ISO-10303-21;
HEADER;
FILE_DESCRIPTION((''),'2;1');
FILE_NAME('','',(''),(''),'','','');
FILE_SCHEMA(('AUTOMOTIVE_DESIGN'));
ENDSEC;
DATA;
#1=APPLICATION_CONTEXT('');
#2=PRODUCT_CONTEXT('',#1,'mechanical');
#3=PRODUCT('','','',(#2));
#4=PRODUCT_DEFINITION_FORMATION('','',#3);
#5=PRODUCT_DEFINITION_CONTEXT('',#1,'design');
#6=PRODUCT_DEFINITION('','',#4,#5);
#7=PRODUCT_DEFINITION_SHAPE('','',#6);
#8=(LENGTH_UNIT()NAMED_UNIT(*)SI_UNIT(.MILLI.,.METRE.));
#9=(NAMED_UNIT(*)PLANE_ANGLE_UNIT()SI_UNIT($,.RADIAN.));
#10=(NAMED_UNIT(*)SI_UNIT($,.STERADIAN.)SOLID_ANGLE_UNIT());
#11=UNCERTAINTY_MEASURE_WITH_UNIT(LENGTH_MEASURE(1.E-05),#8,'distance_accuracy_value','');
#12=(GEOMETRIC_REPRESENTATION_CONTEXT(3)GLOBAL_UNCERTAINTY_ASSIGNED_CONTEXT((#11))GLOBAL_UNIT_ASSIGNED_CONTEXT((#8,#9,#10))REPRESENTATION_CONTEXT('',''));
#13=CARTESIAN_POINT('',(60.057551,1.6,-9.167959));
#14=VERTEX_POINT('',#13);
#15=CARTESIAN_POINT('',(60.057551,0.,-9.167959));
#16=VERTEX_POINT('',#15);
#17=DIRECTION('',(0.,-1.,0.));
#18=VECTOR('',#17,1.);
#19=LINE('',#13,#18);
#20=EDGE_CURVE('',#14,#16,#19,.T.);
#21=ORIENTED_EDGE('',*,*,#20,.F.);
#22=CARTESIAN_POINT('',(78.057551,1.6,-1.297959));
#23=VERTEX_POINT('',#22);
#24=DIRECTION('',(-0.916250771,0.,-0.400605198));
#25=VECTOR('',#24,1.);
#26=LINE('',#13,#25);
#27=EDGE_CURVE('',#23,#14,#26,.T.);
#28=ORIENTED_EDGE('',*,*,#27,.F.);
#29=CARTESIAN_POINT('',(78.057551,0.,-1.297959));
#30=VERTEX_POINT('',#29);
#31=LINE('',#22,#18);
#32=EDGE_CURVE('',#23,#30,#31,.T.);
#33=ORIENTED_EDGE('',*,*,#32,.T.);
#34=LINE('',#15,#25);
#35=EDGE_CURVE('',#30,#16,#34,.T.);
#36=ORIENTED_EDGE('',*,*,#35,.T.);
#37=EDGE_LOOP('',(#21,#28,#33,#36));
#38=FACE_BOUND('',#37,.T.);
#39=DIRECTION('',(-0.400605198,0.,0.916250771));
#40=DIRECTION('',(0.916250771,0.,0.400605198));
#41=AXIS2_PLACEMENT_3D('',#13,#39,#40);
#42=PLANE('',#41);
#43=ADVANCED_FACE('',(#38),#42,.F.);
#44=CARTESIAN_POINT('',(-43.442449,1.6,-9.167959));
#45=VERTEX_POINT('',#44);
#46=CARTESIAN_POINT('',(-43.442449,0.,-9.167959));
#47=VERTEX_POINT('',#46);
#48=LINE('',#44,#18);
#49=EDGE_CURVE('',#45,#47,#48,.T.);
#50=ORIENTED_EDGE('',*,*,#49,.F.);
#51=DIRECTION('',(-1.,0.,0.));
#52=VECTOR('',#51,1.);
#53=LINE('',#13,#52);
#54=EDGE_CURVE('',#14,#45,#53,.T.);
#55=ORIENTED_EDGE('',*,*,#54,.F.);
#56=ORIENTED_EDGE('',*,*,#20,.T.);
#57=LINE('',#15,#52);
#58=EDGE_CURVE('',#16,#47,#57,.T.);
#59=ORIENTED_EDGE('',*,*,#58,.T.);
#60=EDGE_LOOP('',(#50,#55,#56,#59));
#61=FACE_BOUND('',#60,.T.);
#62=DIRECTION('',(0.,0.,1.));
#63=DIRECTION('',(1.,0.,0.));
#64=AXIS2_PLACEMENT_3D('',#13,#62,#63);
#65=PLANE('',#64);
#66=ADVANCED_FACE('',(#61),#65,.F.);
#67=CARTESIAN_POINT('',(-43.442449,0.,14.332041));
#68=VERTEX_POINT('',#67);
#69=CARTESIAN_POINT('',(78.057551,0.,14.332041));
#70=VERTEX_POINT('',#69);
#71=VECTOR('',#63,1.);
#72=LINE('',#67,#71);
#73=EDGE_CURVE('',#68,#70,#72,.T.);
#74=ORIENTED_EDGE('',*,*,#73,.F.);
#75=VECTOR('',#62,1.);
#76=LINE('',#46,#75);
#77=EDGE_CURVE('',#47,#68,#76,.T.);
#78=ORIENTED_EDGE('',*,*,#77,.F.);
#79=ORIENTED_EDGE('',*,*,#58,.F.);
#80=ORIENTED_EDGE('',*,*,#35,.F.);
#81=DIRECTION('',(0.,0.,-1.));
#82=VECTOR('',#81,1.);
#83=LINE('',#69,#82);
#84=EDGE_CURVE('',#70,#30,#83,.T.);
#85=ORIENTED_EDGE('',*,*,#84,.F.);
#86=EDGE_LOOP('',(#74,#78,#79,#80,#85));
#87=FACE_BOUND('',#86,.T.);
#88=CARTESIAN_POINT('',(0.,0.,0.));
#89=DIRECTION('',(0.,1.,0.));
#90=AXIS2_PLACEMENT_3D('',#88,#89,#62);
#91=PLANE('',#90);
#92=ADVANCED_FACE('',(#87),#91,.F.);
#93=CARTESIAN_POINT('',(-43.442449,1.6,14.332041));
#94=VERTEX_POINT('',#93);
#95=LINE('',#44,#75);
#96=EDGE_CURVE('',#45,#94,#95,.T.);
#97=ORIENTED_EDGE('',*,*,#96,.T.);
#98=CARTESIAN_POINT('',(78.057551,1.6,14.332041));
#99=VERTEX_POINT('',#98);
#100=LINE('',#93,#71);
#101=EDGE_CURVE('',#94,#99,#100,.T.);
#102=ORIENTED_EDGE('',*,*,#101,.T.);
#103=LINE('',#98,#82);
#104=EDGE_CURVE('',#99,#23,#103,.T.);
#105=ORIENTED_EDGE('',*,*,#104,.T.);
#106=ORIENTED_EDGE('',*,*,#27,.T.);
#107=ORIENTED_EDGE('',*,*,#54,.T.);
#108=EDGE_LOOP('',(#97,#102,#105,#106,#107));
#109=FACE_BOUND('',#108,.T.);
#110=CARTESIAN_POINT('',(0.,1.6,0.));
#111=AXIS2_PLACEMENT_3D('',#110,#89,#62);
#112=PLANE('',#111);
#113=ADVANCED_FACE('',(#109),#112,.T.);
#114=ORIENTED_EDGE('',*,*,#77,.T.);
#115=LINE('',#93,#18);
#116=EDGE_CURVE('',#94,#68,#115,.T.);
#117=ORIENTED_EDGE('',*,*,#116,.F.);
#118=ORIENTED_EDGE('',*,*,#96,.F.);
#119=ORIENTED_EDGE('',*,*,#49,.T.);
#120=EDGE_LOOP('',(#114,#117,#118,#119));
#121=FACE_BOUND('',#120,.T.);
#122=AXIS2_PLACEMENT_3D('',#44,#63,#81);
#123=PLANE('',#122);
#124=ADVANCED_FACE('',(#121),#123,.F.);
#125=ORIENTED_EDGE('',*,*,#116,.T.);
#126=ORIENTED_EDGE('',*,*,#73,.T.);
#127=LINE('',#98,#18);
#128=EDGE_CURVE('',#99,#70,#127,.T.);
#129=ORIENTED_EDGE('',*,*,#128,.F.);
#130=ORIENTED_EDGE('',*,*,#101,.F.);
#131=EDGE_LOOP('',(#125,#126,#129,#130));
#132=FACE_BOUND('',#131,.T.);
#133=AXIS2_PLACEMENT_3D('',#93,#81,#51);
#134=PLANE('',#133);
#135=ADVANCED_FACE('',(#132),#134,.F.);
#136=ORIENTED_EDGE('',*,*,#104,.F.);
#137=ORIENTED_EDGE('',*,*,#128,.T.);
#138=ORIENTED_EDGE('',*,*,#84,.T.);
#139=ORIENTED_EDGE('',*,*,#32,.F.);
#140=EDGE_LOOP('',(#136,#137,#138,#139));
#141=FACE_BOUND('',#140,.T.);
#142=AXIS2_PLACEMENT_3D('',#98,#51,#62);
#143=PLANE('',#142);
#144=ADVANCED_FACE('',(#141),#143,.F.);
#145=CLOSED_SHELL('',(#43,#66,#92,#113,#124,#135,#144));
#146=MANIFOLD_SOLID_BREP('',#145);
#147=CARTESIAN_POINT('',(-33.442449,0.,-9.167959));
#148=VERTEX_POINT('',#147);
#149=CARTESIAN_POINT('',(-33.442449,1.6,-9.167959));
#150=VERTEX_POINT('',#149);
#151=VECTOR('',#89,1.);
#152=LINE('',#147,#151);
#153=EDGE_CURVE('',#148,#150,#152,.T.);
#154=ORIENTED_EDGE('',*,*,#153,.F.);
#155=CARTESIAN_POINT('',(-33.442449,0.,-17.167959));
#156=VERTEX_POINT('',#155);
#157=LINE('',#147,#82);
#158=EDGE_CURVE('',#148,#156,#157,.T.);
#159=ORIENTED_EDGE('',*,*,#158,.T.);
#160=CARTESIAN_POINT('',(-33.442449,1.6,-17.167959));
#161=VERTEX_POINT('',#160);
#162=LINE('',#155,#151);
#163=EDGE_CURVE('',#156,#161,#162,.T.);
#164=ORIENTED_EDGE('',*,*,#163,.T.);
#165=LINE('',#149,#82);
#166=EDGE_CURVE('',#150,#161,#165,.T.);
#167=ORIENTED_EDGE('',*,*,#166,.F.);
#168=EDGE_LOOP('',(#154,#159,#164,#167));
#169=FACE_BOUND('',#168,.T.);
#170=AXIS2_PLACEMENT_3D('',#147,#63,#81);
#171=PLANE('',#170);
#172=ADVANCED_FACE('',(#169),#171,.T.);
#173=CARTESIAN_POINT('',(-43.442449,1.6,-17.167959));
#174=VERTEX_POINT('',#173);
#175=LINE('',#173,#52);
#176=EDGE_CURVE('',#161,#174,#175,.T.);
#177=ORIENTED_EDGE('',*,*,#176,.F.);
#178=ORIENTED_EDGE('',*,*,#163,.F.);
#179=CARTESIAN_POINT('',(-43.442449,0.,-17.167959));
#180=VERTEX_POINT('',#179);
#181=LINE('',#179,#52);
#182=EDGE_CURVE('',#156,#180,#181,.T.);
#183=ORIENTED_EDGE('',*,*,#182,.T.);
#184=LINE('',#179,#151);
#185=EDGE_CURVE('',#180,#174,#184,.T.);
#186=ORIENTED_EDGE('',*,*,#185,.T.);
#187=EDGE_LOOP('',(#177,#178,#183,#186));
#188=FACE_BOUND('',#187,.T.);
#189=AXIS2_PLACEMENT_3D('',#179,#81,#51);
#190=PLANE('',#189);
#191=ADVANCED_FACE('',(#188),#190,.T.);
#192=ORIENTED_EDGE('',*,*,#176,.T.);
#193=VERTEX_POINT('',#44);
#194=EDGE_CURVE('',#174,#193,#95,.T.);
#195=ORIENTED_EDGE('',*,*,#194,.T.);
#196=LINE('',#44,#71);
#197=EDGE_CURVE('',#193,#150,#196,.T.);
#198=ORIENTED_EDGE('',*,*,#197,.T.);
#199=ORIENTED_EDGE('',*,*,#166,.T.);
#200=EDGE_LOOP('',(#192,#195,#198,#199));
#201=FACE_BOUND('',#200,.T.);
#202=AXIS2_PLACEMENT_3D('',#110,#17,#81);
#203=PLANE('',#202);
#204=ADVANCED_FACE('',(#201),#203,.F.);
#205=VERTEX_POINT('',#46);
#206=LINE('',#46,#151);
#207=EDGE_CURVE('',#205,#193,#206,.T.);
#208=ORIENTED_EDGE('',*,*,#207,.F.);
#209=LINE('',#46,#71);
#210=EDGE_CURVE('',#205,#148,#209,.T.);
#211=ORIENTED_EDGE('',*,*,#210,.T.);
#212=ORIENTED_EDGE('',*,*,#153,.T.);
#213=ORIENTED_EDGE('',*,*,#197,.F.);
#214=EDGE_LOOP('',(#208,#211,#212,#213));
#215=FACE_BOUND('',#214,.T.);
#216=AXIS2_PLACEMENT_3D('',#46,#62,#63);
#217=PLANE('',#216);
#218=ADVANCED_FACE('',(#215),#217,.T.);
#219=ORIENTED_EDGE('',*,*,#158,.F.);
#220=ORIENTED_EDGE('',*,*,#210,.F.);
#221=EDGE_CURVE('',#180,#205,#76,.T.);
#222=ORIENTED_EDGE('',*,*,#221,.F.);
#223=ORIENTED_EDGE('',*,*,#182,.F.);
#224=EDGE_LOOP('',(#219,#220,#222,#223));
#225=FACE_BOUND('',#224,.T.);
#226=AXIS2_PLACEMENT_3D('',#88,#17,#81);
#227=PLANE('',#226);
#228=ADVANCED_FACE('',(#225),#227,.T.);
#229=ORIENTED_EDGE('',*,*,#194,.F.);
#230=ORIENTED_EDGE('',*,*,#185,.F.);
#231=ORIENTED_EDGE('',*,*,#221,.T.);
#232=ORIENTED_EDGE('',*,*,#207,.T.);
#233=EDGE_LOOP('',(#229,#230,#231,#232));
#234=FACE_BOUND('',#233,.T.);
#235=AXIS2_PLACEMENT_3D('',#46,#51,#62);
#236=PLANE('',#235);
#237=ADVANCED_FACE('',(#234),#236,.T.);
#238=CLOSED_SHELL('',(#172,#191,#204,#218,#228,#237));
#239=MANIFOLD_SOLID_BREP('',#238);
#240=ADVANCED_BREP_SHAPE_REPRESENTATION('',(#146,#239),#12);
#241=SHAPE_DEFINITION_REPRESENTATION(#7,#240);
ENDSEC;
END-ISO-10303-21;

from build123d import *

# Parameters (mm, degrees)
BOSS_EXTRUDE1_DEPTH = 1.6
SKETCH2_W           = 10
SKETCH2_H           = 8
BOSS_EXTRUDE2_DEPTH = 1.6


with BuildPart() as part:
    # Sketch1 → Boss-Extrude1 (new body)
    with BuildSketch(Plane(origin=(0, 0, 0), x_dir=(1, 0, 0), z_dir=(0, 1, 0))):
        Polygon((-43.44244898, 9.167959184), (-43.44244898, -14.332040816), (78.05755102, -14.332040816), (78.05755102, 1.297959184), (60.05755102, 9.167959184), align=None)
    extrude(amount=BOSS_EXTRUDE1_DEPTH)


with BuildPart() as body_2:
    # Sketch2 → Boss-Extrude2 (new body)
    with BuildSketch(Plane(origin=(0, 1.6, 0), x_dir=(1, 0, 0), z_dir=(0, 1, 0))):
        with Locations((-38.44244898, 13.167959184)):
            Rectangle(SKETCH2_W, SKETCH2_H)
    extrude(amount=-BOSS_EXTRUDE2_DEPTH)


solid = Compound([part.part, body_2.part])
